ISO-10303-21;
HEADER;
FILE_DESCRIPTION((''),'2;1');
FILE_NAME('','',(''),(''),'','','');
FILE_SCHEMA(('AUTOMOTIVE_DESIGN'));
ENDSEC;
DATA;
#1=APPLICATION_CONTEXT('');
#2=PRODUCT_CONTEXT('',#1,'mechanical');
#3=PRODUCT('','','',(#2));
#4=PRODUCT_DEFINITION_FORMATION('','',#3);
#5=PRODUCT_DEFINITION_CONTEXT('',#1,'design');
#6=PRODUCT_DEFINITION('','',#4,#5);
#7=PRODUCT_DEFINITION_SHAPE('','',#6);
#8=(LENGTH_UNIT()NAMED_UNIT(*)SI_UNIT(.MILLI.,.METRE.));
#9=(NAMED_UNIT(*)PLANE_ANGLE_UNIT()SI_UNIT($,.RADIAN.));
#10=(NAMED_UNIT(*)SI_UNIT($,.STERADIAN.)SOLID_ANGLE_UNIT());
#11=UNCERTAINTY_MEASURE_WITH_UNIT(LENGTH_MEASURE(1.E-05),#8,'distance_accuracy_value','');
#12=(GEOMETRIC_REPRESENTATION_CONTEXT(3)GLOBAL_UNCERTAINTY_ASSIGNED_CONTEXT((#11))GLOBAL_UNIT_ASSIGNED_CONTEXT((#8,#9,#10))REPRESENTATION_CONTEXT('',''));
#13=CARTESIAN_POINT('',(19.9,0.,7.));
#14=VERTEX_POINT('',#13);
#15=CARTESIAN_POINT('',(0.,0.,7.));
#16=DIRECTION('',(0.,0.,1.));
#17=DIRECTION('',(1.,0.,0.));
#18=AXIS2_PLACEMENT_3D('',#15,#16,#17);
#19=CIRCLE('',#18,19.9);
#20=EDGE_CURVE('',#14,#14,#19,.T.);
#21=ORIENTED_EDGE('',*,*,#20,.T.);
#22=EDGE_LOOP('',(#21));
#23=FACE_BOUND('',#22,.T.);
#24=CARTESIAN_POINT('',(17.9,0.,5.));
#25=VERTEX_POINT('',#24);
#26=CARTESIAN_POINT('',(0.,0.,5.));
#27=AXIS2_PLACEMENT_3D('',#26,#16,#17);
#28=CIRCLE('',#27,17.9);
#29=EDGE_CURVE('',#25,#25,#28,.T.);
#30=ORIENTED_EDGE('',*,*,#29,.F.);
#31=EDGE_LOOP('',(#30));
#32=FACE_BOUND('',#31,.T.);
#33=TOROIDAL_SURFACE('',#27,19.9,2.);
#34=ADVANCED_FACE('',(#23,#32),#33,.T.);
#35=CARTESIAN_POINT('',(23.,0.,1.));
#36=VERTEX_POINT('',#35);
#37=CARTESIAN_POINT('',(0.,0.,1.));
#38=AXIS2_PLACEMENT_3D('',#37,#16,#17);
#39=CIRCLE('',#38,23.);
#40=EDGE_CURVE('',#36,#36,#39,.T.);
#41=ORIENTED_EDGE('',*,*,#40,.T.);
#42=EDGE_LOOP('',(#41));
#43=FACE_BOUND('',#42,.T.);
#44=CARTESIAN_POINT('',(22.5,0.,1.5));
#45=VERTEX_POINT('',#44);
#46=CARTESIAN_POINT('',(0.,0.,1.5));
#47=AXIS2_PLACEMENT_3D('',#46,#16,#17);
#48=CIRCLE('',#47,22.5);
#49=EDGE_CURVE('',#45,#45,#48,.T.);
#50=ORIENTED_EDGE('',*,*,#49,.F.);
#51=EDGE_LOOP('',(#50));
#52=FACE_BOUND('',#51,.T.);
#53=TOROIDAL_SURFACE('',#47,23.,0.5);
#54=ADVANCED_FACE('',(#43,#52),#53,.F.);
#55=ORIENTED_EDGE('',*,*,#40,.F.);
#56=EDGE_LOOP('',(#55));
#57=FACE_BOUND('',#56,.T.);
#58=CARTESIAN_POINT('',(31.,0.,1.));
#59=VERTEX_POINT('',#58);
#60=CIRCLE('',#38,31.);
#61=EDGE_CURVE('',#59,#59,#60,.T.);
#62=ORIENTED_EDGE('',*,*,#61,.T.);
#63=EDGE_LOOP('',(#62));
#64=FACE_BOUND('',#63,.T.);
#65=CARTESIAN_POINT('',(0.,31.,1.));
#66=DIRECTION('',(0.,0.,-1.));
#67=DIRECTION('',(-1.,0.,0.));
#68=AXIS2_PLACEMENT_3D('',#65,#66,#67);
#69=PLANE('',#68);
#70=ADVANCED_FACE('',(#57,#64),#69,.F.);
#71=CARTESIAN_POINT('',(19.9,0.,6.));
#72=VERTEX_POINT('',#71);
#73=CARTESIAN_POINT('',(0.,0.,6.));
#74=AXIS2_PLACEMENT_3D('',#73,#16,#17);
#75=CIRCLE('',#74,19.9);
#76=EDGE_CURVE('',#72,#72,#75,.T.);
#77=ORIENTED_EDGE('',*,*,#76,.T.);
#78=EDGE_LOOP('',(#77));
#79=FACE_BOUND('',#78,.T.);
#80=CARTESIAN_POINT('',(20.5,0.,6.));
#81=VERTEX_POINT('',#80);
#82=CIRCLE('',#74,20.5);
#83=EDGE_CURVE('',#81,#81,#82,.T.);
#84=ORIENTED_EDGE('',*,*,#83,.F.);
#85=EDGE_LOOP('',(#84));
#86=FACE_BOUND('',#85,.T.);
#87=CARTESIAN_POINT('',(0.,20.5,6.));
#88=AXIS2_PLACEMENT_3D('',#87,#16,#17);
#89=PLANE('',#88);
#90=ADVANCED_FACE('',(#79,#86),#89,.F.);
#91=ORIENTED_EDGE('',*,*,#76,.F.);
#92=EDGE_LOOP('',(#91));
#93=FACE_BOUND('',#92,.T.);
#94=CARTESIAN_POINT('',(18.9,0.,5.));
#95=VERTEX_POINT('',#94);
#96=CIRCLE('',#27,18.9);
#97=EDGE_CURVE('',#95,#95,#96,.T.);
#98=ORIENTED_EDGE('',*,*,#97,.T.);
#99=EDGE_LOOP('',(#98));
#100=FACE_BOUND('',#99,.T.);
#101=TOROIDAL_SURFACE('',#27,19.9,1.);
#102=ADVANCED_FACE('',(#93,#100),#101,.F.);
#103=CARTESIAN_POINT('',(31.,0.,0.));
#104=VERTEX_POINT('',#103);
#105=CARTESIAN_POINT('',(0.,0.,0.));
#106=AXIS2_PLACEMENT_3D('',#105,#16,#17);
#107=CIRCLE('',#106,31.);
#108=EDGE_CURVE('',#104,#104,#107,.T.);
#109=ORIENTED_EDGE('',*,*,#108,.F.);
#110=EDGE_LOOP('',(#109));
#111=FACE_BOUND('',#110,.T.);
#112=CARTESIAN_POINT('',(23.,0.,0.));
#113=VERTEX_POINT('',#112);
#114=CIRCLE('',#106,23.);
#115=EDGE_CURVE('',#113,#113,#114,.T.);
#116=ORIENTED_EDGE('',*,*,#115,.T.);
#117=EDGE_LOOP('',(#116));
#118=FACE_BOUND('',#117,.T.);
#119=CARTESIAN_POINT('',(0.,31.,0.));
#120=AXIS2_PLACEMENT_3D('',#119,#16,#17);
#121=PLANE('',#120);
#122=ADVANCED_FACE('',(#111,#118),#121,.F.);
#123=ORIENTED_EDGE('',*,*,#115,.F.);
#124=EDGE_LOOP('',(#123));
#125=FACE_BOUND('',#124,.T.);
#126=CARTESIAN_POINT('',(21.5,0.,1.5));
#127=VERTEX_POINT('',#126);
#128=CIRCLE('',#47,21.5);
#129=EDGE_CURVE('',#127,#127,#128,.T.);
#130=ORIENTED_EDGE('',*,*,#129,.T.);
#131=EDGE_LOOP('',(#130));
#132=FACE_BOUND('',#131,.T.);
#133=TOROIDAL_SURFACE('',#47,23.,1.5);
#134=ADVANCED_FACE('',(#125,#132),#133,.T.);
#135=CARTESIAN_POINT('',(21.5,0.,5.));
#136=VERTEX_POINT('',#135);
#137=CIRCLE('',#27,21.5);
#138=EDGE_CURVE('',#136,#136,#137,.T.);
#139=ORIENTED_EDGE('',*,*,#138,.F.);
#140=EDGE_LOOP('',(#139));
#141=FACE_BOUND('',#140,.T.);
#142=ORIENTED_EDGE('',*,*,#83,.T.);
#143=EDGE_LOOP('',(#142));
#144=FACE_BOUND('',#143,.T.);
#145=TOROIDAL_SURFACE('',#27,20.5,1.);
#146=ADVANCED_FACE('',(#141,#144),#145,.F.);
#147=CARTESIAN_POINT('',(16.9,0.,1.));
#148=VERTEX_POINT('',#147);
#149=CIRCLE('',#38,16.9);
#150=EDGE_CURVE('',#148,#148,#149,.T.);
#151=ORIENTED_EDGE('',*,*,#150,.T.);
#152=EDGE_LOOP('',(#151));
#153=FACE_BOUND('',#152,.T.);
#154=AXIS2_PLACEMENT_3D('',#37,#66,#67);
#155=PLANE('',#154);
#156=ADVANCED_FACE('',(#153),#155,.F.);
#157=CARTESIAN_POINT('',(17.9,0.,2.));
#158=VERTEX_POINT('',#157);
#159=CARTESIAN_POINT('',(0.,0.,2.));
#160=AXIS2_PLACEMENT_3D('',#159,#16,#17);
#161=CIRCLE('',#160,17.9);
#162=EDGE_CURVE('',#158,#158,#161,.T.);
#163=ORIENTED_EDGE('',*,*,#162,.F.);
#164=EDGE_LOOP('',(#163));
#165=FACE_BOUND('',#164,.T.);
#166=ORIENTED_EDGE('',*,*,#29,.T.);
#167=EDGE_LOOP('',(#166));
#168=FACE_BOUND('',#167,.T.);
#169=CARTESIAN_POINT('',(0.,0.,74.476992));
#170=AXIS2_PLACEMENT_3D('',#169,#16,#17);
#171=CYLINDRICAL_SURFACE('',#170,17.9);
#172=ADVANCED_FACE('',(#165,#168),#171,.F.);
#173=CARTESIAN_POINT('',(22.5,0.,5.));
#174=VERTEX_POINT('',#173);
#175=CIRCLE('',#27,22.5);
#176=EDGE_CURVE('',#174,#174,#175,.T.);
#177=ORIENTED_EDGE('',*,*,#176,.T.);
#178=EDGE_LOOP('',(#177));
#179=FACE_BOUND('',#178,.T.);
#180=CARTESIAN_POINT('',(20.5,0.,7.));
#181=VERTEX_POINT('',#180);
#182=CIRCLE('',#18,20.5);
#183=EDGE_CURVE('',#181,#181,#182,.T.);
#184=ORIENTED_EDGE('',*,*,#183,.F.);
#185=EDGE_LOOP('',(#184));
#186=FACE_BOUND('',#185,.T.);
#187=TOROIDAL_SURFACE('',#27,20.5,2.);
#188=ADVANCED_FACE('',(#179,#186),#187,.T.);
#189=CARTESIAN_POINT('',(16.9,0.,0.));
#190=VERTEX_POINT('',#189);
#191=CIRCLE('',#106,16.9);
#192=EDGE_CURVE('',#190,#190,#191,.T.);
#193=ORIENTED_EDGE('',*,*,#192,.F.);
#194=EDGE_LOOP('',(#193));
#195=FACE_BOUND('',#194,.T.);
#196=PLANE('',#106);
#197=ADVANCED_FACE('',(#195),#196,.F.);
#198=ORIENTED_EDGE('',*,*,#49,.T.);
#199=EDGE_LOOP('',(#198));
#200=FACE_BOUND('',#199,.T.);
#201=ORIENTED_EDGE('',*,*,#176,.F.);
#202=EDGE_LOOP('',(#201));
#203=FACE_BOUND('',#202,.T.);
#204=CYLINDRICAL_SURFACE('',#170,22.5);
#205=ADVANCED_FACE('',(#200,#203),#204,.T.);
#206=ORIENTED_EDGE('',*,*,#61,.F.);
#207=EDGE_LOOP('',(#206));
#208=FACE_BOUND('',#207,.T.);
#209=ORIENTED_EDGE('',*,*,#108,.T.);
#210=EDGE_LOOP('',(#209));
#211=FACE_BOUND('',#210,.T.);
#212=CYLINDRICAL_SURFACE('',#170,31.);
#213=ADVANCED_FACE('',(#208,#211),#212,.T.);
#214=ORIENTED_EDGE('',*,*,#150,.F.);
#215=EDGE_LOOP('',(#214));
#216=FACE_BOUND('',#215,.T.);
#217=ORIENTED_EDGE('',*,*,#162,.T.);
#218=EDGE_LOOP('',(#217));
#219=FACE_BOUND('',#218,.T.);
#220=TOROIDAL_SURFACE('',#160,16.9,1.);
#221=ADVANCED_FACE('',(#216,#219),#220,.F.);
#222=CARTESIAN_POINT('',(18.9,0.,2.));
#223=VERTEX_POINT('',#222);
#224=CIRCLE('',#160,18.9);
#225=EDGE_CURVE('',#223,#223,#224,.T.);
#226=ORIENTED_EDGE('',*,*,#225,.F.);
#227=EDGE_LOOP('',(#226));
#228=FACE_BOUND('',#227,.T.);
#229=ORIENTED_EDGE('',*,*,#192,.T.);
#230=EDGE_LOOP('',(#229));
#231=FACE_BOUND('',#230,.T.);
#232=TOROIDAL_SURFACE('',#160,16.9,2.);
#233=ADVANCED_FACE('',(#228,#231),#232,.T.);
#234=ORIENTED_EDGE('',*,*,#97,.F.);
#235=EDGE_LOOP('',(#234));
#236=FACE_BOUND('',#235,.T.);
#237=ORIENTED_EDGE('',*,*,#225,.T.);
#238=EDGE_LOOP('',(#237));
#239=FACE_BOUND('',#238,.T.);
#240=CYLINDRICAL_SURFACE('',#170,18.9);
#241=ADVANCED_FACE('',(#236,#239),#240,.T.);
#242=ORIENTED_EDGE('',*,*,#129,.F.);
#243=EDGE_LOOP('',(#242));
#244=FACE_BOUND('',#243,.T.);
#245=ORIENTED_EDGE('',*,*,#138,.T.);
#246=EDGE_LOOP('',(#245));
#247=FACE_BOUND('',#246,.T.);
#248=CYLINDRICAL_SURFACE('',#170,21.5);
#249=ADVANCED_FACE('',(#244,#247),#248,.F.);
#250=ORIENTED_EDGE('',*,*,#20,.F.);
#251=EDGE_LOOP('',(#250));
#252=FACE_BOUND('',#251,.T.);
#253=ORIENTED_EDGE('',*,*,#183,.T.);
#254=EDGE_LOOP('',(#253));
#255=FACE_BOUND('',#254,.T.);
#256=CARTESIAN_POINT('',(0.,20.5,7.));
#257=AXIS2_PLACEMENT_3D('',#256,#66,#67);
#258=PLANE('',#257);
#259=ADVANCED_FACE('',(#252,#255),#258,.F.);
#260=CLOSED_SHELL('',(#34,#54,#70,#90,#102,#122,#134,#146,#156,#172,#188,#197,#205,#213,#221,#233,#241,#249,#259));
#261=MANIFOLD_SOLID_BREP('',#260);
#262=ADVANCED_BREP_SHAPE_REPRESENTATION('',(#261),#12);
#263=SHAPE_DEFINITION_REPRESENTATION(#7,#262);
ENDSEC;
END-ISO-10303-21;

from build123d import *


with BuildPart() as part:
    # Croquis1 → Revolución1 (revolve)
    with BuildSketch(Plane(origin=(0, 0, 0), x_dir=(0, 0, -1), z_dir=(1, 0, 0)), mode=Mode.PRIVATE) as revoluci_n1_sk:
        with BuildLine():
            Line((-1, 31), (-1, 23))
            ThreePointArc((-1, 23), (-1.146446609, 22.646446609), (-1.5, 22.5))
            Line((-1.5, 22.5), (-5, 22.5))
            ThreePointArc((-5, 22.5), (-6.414213562, 21.914213562), (-7, 20.5))
            Line((-7, 20.5), (-7, 19.9))
            ThreePointArc((-7, 19.9), (-6.414213562, 18.485786438), (-5, 17.9))
            Line((-5, 17.9), (-2, 17.9))
            ThreePointArc((-2, 17.9), (-1.292893219, 17.607106781), (-1, 16.9))
            Line((-1, 16.9), (-1, 0))
            Line((-1, 0), (5e-09, 0))
            Line((5e-09, 0), (0, 16.9))
            ThreePointArc((0, 16.9), (-0.585786438, 18.314213562), (-2, 18.9))
            Line((-2, 18.9), (-5, 18.9))
            ThreePointArc((-5, 18.9), (-5.707106781, 19.192893219), (-6, 19.9))
            Line((-6, 19.9), (-6, 20.5))
            ThreePointArc((-6, 20.5), (-5.707106781, 21.207106781), (-5, 21.5))
            Line((-5, 21.5), (-1.5, 21.5))
            ThreePointArc((-1.5, 21.5), (-0.439339828, 21.939339828), (0, 23))
            Line((0, 23), (0, 31))
            Line((0, 31), (-1, 31))
        make_face()
    revolve(revoluci_n1_sk.sketch.rotate(Axis((0, 0, 74.476992057), (0, 0, -1)), 90), axis=Axis((0, 0, 74.476992057), (0, 0, -1)))


solid = part.part
